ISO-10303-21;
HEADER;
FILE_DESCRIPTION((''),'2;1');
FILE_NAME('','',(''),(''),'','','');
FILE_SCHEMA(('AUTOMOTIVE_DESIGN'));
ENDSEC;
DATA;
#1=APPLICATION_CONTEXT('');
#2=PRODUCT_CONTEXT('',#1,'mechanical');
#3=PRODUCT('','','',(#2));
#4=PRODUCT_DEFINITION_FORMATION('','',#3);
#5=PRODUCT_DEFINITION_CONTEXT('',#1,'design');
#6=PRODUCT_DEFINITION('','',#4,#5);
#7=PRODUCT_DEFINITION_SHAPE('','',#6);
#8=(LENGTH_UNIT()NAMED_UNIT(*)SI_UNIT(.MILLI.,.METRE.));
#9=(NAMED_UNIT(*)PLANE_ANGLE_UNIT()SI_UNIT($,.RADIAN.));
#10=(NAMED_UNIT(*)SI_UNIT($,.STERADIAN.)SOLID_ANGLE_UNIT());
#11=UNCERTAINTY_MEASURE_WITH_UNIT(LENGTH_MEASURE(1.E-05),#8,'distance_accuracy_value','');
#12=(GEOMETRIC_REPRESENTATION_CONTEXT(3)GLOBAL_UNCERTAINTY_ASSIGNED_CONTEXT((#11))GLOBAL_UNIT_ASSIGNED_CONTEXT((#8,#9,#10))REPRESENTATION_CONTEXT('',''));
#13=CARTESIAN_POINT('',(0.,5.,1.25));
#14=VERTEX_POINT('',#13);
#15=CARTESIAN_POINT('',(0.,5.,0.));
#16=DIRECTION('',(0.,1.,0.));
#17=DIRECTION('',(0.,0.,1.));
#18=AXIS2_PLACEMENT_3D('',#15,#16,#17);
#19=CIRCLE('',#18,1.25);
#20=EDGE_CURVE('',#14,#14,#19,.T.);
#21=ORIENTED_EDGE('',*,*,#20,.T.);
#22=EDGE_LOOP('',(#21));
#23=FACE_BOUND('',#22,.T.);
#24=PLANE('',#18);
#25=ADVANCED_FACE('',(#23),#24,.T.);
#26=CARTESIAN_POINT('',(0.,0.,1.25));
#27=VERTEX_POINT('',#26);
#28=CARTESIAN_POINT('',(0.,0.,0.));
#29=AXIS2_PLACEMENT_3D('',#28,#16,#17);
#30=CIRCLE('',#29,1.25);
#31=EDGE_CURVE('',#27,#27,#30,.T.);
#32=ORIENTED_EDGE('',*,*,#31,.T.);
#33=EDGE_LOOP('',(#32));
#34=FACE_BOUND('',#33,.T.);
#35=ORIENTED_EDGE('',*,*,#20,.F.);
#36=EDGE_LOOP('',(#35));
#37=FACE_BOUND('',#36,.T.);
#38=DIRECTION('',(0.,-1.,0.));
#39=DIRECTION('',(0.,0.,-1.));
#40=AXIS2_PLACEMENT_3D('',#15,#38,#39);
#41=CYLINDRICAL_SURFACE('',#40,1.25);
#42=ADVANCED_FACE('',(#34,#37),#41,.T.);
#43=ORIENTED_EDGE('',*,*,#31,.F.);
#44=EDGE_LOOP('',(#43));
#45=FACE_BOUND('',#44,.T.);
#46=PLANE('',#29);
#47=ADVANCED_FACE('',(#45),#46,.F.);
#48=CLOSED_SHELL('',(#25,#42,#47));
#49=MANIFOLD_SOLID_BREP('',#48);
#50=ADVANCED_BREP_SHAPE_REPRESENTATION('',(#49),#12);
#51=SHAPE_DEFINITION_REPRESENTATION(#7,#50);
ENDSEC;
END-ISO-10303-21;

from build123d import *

# Parameters (mm, degrees)
SKETCH1_R           = 1.25
BOSS_EXTRUDE1_DEPTH = 5


with BuildPart() as part:
    # Sketch1 → Boss-Extrude1 (new body)
    with BuildSketch(Plane(origin=(0, 0, 0), x_dir=(1, 0, 0), z_dir=(0, 1, 0))):
        Circle(SKETCH1_R)
    extrude(amount=BOSS_EXTRUDE1_DEPTH)


solid = part.part
